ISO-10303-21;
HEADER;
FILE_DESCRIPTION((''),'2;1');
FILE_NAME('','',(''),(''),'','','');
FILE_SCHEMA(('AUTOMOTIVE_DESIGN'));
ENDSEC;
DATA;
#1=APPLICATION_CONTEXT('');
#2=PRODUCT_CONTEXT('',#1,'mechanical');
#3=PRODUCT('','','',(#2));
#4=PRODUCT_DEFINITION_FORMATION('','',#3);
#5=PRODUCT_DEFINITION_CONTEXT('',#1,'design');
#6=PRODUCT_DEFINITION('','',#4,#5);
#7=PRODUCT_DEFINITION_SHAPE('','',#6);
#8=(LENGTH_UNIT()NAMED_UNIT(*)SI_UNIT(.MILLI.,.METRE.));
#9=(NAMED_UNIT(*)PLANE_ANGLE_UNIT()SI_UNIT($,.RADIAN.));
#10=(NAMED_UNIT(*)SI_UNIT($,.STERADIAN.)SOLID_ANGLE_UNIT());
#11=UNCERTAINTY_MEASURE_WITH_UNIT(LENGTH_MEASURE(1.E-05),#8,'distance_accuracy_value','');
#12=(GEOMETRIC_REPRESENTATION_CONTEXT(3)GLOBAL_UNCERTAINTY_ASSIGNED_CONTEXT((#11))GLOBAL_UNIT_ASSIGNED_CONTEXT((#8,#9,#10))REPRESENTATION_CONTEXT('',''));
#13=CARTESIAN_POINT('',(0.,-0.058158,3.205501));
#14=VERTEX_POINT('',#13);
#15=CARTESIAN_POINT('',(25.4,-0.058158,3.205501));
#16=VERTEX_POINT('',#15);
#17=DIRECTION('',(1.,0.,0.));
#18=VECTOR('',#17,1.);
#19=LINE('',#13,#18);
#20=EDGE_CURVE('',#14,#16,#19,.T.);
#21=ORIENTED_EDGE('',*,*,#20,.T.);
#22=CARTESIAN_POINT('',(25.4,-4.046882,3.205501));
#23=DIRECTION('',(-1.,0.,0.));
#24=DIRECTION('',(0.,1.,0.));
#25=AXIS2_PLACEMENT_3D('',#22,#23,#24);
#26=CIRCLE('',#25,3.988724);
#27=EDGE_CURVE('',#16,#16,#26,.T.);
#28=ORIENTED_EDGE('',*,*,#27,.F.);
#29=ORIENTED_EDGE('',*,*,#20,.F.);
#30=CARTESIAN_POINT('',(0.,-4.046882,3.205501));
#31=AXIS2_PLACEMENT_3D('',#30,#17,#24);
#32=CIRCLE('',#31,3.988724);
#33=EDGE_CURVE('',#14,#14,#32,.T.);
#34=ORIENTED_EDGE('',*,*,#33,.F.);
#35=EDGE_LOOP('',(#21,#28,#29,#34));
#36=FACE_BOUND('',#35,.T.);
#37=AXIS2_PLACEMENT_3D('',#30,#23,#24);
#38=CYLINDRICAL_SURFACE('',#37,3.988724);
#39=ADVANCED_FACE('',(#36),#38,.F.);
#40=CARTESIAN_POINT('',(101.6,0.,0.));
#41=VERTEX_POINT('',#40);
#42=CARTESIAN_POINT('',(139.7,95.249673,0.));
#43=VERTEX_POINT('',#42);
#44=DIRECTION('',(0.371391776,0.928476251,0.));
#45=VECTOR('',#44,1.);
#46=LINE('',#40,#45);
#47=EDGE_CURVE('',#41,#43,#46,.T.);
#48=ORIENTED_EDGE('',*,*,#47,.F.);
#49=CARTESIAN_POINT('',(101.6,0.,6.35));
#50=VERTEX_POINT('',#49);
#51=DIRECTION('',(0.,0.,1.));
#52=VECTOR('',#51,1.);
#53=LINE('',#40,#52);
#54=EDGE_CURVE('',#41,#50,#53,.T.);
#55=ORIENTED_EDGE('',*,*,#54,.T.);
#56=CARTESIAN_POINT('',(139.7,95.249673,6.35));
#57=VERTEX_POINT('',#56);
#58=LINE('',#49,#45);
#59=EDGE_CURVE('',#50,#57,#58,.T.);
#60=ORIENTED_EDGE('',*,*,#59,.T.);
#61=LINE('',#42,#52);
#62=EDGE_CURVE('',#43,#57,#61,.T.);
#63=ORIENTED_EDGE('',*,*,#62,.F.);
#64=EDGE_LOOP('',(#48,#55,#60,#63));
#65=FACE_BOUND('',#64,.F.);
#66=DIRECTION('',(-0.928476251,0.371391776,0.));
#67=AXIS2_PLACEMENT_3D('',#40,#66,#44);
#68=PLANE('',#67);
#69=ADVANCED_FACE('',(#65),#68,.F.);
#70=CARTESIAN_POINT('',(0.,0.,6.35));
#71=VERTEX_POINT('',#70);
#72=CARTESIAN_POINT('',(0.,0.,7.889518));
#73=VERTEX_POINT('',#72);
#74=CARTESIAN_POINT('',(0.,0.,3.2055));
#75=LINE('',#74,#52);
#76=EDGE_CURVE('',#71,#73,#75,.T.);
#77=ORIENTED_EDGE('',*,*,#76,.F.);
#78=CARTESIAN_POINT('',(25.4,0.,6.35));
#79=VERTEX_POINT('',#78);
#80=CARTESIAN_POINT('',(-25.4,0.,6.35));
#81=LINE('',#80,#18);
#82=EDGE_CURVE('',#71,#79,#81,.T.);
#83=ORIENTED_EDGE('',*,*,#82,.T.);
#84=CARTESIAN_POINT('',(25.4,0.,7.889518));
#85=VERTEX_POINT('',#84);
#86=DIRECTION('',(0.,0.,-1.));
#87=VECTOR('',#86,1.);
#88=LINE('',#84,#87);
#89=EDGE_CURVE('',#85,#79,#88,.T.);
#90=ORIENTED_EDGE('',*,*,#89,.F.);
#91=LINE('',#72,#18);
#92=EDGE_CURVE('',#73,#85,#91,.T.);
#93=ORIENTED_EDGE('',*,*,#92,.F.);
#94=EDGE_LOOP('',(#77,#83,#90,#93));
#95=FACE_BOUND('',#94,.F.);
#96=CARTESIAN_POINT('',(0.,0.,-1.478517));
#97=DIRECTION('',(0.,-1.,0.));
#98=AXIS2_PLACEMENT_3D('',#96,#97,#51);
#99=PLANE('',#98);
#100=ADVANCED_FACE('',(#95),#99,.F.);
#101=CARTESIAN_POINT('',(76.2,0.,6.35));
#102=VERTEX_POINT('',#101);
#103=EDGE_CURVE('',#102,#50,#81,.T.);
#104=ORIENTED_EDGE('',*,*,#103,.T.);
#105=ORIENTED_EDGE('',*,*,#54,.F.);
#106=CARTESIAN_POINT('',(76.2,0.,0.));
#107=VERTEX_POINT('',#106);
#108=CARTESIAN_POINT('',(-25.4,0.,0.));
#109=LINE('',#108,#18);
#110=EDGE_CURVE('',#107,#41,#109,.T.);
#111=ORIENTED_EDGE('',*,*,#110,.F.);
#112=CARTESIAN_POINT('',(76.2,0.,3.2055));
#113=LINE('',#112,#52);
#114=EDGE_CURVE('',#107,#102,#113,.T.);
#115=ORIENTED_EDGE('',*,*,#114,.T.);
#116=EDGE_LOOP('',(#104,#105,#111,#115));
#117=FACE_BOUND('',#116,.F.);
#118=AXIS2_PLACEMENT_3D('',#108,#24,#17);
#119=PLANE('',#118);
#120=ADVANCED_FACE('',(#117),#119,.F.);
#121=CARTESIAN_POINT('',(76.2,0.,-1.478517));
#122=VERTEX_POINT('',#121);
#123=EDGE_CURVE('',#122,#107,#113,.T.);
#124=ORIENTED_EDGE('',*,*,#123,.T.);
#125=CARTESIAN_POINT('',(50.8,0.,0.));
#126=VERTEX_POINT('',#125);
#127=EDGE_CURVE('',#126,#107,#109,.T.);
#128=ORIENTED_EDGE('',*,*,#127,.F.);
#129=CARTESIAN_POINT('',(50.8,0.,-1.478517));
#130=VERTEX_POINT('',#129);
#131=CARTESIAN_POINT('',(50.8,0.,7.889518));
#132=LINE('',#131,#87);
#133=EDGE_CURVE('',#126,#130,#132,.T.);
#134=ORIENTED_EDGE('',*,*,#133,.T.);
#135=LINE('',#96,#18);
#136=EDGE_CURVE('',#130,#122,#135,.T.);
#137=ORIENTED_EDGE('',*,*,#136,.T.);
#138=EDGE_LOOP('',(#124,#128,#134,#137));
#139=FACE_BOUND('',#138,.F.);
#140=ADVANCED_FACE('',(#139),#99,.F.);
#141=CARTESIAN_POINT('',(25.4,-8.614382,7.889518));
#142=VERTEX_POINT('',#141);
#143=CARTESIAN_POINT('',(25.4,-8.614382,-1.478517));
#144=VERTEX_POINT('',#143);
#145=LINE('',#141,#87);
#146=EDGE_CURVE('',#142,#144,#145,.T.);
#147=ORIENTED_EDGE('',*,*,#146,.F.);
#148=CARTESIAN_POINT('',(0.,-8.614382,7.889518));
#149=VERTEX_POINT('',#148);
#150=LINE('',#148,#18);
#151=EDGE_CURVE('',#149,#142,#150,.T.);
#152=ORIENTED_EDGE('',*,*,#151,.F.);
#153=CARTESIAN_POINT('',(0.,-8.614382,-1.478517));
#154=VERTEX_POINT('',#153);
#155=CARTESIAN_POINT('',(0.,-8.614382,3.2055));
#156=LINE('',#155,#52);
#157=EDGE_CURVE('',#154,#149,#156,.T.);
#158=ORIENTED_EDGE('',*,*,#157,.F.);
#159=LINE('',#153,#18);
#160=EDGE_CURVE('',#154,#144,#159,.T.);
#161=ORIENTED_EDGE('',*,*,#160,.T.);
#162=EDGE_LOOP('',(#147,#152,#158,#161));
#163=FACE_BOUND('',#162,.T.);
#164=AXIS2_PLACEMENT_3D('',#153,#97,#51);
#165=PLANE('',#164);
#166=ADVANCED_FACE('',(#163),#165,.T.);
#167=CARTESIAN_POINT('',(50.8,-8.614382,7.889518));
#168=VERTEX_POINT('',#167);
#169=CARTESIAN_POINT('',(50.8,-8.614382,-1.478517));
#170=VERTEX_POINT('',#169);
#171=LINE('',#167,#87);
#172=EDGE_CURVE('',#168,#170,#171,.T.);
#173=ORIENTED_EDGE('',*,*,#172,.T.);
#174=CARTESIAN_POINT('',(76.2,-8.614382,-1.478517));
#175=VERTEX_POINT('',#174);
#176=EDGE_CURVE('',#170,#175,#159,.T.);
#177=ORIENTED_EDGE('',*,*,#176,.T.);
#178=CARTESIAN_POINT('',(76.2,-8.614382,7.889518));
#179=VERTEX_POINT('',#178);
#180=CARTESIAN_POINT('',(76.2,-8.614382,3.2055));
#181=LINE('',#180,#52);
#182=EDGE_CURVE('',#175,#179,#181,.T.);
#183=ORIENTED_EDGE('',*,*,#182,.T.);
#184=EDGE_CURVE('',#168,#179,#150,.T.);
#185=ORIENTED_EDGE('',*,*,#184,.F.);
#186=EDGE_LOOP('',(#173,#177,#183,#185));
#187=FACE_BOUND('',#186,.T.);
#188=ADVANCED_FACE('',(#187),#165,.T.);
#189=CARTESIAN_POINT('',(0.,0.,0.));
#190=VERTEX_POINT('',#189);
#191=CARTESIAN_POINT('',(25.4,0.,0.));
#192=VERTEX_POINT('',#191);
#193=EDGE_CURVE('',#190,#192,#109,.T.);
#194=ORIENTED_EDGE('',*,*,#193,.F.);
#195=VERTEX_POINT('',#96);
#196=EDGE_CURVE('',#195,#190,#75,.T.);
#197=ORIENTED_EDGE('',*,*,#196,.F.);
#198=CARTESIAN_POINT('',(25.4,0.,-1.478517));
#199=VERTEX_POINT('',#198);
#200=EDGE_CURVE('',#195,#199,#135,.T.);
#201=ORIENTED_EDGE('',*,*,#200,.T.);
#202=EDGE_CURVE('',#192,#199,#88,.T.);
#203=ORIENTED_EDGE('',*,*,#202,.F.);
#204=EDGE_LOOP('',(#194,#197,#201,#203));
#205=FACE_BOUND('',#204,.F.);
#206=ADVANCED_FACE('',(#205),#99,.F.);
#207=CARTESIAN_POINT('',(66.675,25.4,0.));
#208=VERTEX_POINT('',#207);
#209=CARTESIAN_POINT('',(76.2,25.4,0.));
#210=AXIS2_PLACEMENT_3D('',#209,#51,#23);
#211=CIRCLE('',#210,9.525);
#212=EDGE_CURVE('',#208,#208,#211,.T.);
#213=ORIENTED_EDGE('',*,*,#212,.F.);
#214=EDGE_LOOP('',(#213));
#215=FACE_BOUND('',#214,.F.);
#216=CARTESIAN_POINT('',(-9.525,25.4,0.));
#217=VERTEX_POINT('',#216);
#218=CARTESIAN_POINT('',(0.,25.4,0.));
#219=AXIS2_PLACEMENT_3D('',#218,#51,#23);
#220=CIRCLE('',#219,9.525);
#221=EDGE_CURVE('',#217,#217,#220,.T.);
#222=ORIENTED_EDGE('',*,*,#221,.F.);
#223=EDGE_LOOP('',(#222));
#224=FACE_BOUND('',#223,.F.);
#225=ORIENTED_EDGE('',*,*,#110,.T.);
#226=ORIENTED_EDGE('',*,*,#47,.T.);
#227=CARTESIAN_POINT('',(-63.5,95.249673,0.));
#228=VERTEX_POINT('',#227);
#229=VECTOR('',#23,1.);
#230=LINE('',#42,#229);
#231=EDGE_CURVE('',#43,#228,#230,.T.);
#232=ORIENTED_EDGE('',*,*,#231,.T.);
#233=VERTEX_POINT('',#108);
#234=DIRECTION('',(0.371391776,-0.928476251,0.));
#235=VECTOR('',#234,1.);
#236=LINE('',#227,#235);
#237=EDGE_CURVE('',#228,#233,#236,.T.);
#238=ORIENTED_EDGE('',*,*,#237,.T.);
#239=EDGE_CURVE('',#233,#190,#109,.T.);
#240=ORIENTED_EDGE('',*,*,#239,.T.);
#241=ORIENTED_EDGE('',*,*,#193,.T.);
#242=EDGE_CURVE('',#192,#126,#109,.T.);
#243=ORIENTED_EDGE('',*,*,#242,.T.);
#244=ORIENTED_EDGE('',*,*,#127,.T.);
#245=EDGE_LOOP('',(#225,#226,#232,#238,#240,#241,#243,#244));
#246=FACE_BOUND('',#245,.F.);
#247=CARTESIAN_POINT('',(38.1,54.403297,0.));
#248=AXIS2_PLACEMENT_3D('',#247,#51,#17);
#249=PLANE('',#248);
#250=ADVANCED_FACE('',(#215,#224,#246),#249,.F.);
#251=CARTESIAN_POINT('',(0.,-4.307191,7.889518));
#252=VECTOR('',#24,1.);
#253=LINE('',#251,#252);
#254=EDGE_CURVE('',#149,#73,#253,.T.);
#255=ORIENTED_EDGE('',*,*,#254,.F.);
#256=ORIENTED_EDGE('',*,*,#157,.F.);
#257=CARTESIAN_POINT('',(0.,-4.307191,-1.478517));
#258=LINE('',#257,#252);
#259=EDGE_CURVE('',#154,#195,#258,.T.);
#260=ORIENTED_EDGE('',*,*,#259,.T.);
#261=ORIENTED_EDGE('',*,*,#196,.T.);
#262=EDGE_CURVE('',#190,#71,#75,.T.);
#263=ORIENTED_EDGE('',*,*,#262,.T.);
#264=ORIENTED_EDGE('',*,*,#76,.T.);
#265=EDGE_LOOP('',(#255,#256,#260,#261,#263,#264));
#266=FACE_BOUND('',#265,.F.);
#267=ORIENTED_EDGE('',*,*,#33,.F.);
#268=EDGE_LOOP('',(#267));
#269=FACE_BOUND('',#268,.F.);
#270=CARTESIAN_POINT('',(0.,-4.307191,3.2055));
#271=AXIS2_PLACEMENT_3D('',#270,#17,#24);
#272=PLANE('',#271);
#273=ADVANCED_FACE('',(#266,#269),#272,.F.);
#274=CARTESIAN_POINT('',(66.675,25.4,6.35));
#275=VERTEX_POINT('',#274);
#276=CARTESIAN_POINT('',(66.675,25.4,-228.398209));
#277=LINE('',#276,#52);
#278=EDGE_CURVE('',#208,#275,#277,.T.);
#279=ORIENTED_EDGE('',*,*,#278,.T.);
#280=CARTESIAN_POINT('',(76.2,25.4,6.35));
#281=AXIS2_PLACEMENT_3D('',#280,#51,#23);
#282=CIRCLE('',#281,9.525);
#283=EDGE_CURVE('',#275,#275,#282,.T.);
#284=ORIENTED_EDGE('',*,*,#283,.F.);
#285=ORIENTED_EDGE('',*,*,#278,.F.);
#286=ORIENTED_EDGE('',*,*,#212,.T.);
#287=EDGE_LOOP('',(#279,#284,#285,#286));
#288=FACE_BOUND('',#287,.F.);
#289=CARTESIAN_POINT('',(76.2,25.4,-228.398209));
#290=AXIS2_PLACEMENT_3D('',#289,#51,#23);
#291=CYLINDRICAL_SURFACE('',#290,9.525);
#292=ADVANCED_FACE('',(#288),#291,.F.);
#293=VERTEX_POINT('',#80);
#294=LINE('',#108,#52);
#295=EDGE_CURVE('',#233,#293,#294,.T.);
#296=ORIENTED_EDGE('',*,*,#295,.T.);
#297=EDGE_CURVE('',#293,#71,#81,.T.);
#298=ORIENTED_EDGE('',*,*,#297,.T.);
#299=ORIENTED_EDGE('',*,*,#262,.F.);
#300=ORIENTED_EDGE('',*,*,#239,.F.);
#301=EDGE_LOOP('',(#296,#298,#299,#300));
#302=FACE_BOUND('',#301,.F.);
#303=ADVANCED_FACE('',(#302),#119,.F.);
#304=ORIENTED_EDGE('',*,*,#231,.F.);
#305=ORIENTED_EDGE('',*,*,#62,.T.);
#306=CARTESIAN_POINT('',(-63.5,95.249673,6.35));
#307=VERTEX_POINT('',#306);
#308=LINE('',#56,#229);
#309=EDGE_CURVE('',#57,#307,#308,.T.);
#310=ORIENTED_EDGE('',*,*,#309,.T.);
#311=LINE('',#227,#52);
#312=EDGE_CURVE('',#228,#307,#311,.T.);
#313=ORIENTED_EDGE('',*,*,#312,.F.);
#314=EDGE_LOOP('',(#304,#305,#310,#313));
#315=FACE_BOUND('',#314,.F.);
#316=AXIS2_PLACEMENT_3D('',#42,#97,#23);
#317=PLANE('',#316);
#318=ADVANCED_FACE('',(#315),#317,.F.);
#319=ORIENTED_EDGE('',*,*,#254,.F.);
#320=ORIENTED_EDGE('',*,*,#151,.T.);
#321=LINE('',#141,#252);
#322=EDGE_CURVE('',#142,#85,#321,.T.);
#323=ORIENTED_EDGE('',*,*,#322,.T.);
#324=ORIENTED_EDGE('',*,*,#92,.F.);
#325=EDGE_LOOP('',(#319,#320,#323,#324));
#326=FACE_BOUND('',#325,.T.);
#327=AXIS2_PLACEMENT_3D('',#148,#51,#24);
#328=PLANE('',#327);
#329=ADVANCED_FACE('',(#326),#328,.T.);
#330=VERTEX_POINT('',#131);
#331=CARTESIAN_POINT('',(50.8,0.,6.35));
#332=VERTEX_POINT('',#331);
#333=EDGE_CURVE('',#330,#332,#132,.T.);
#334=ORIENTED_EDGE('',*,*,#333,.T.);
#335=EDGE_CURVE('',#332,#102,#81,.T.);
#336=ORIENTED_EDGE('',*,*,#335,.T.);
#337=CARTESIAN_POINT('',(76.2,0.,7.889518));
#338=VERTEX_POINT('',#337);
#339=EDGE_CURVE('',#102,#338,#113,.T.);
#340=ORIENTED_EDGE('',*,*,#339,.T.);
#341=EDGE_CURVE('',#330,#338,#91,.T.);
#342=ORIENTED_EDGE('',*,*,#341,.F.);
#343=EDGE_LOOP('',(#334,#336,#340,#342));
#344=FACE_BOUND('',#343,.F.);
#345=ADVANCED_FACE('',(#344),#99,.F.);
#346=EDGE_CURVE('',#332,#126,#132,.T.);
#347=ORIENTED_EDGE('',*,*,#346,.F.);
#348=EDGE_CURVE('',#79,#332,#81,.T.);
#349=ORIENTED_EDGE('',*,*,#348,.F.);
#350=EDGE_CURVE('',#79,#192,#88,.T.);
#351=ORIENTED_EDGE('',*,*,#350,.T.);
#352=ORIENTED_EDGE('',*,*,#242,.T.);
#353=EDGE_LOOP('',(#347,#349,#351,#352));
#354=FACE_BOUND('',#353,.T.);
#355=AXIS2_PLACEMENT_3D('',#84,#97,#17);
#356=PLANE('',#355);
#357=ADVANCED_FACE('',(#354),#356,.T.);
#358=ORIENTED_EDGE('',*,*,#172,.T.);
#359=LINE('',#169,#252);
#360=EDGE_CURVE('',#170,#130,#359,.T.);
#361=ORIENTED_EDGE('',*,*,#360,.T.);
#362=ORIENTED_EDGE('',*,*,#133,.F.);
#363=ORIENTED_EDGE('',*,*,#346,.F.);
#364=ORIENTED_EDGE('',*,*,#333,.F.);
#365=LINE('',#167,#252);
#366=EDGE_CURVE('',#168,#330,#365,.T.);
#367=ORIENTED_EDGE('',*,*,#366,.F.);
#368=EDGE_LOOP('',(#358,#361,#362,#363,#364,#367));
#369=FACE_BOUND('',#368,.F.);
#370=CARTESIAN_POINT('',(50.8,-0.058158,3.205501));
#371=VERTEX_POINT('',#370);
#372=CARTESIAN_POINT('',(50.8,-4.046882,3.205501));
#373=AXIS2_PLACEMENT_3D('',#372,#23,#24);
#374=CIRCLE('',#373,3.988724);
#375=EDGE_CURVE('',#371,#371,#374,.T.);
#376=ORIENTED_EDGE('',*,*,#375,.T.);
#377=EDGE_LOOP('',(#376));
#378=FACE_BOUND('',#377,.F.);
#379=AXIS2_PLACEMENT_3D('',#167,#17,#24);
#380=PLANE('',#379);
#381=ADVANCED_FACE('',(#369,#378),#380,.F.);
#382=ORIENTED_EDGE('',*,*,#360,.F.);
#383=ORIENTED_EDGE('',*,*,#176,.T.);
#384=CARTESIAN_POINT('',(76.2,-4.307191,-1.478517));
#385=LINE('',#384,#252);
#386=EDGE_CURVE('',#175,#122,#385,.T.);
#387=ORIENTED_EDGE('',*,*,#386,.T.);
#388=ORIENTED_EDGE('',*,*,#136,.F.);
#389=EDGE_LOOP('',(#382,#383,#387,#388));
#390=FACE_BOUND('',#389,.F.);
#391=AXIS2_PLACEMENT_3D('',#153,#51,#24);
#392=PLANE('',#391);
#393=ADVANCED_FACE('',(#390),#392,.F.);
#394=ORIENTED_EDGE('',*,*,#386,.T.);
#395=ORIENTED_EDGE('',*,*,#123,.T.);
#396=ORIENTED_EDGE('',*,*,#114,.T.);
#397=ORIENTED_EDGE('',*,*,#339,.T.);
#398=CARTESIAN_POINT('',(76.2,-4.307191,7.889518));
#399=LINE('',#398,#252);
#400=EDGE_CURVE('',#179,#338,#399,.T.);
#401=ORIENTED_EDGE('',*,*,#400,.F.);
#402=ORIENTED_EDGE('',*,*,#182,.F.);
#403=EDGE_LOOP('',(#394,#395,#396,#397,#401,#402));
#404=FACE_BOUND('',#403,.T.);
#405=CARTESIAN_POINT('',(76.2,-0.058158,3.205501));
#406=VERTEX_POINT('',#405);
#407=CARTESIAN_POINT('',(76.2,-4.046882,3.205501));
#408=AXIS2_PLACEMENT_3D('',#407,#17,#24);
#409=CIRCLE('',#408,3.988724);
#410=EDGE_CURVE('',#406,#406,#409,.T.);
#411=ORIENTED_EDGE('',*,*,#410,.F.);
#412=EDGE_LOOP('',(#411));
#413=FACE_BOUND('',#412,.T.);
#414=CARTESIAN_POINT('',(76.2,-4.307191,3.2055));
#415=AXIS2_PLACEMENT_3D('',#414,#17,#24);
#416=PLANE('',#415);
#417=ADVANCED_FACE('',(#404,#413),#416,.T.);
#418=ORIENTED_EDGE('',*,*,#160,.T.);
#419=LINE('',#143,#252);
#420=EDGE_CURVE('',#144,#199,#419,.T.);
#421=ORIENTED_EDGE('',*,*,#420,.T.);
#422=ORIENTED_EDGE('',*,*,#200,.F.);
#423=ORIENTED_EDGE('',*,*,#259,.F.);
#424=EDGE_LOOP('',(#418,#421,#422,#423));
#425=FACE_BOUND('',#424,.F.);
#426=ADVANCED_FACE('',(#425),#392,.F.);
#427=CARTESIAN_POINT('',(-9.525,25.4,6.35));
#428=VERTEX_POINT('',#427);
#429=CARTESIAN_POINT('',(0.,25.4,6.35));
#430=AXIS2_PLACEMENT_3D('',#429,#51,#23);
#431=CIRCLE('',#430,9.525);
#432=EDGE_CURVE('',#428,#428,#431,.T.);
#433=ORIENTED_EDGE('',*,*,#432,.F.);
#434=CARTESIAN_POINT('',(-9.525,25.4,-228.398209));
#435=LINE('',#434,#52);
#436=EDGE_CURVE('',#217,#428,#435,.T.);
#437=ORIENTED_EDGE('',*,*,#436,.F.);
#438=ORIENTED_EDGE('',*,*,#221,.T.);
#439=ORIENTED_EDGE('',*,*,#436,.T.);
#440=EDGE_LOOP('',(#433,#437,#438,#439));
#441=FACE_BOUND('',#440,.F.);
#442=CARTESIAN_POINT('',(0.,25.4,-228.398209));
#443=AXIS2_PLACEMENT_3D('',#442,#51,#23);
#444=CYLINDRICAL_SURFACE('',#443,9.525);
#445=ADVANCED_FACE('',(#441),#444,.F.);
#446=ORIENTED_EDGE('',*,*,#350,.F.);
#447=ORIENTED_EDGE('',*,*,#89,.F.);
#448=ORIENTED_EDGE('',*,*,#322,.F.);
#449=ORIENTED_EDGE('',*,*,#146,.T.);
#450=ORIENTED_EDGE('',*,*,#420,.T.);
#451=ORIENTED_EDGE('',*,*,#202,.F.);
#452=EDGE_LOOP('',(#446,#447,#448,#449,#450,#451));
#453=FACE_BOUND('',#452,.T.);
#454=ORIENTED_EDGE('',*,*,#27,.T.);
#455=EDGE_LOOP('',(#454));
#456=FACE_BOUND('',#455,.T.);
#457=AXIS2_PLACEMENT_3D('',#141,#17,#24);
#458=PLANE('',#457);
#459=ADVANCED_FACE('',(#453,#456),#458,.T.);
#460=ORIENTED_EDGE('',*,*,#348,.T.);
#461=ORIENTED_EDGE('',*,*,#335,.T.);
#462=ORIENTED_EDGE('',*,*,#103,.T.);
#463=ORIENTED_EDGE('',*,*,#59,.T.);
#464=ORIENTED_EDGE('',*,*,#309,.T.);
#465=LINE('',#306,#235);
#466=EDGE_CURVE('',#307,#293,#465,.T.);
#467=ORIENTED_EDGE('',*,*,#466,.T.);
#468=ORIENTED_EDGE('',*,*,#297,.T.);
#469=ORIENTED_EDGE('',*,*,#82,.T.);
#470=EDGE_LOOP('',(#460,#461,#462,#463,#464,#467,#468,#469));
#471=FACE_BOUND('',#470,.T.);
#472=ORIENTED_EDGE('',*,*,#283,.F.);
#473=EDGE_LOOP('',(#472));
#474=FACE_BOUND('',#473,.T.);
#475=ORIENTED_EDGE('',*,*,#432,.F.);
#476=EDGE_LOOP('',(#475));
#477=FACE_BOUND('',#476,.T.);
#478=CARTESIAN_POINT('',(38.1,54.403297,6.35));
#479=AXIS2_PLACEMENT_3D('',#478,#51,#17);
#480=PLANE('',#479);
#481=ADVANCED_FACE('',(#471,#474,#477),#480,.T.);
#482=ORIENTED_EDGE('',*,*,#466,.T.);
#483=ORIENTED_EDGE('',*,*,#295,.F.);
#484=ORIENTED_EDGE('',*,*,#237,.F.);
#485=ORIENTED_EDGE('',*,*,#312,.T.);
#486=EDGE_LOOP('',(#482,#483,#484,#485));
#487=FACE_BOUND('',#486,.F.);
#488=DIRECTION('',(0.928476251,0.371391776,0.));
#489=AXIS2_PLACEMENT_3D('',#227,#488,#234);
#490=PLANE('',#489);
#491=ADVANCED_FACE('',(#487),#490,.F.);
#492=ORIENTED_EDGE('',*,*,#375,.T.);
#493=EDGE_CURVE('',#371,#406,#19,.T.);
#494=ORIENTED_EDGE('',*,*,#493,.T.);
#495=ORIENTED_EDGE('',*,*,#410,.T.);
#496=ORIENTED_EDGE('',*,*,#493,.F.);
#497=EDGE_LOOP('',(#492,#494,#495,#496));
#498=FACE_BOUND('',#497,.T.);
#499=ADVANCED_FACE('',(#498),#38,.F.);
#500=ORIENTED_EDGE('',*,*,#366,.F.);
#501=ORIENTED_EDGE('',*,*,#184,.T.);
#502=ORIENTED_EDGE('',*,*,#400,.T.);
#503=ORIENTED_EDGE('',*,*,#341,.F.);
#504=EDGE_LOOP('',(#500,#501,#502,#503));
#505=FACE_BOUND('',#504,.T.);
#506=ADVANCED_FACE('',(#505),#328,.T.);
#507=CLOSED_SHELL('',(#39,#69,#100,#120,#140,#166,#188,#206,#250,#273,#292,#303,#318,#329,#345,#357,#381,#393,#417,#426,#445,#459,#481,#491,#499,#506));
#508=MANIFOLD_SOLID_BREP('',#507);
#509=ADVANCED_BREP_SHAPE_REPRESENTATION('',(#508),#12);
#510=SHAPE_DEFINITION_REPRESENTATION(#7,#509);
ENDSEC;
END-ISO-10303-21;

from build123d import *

# Parameters (mm, degrees)
F1_DEPTH = 6.35
F2_W     = 8.614382
F2_H     = 9.368035
F2_R     = 3.988724
F3_DEPTH = 76.2
F4_W     = 25.4
F4_H     = 8.614382
F5_DEPTH = 25.4
F8_D     = 19.05


with BuildPart() as f1:
    # F0 (on Top) → F1 (new body)
    with BuildSketch(Plane.XY):
        Polygon((139.7, 95.249673), (-63.5, 95.249673), (-25.4, 0), (101.6, 0), align=None)
    extrude(amount=F1_DEPTH)

    # F2 (on Right) → F3 (join)
    with BuildSketch(Plane.YZ):
        with Locations((-4.307191, 3.2055)):
            Rectangle(F2_W, F2_H)
        with Locations((-4.046882, 3.205501)):
            Circle(F2_R, mode=Mode.SUBTRACT)
    extrude(amount=F3_DEPTH)

    # F4 (on face) → F5 (cut)
    with BuildSketch(Plane.XY.offset(7.889518)):
        with Locations((38.1, -4.307191)):
            Rectangle(F4_W, F4_H)
    extrude(amount=-F5_DEPTH, mode=Mode.SUBTRACT)

    # F8 (through all)
    with Locations(Plane(origin=(0, 0, 0), x_dir=(1, 0, 0), z_dir=(0, 0, -1))):
        with Locations((0, -25.4), (76.2, -25.4)):
            Hole(F8_D / 2)


solid = f1.part
